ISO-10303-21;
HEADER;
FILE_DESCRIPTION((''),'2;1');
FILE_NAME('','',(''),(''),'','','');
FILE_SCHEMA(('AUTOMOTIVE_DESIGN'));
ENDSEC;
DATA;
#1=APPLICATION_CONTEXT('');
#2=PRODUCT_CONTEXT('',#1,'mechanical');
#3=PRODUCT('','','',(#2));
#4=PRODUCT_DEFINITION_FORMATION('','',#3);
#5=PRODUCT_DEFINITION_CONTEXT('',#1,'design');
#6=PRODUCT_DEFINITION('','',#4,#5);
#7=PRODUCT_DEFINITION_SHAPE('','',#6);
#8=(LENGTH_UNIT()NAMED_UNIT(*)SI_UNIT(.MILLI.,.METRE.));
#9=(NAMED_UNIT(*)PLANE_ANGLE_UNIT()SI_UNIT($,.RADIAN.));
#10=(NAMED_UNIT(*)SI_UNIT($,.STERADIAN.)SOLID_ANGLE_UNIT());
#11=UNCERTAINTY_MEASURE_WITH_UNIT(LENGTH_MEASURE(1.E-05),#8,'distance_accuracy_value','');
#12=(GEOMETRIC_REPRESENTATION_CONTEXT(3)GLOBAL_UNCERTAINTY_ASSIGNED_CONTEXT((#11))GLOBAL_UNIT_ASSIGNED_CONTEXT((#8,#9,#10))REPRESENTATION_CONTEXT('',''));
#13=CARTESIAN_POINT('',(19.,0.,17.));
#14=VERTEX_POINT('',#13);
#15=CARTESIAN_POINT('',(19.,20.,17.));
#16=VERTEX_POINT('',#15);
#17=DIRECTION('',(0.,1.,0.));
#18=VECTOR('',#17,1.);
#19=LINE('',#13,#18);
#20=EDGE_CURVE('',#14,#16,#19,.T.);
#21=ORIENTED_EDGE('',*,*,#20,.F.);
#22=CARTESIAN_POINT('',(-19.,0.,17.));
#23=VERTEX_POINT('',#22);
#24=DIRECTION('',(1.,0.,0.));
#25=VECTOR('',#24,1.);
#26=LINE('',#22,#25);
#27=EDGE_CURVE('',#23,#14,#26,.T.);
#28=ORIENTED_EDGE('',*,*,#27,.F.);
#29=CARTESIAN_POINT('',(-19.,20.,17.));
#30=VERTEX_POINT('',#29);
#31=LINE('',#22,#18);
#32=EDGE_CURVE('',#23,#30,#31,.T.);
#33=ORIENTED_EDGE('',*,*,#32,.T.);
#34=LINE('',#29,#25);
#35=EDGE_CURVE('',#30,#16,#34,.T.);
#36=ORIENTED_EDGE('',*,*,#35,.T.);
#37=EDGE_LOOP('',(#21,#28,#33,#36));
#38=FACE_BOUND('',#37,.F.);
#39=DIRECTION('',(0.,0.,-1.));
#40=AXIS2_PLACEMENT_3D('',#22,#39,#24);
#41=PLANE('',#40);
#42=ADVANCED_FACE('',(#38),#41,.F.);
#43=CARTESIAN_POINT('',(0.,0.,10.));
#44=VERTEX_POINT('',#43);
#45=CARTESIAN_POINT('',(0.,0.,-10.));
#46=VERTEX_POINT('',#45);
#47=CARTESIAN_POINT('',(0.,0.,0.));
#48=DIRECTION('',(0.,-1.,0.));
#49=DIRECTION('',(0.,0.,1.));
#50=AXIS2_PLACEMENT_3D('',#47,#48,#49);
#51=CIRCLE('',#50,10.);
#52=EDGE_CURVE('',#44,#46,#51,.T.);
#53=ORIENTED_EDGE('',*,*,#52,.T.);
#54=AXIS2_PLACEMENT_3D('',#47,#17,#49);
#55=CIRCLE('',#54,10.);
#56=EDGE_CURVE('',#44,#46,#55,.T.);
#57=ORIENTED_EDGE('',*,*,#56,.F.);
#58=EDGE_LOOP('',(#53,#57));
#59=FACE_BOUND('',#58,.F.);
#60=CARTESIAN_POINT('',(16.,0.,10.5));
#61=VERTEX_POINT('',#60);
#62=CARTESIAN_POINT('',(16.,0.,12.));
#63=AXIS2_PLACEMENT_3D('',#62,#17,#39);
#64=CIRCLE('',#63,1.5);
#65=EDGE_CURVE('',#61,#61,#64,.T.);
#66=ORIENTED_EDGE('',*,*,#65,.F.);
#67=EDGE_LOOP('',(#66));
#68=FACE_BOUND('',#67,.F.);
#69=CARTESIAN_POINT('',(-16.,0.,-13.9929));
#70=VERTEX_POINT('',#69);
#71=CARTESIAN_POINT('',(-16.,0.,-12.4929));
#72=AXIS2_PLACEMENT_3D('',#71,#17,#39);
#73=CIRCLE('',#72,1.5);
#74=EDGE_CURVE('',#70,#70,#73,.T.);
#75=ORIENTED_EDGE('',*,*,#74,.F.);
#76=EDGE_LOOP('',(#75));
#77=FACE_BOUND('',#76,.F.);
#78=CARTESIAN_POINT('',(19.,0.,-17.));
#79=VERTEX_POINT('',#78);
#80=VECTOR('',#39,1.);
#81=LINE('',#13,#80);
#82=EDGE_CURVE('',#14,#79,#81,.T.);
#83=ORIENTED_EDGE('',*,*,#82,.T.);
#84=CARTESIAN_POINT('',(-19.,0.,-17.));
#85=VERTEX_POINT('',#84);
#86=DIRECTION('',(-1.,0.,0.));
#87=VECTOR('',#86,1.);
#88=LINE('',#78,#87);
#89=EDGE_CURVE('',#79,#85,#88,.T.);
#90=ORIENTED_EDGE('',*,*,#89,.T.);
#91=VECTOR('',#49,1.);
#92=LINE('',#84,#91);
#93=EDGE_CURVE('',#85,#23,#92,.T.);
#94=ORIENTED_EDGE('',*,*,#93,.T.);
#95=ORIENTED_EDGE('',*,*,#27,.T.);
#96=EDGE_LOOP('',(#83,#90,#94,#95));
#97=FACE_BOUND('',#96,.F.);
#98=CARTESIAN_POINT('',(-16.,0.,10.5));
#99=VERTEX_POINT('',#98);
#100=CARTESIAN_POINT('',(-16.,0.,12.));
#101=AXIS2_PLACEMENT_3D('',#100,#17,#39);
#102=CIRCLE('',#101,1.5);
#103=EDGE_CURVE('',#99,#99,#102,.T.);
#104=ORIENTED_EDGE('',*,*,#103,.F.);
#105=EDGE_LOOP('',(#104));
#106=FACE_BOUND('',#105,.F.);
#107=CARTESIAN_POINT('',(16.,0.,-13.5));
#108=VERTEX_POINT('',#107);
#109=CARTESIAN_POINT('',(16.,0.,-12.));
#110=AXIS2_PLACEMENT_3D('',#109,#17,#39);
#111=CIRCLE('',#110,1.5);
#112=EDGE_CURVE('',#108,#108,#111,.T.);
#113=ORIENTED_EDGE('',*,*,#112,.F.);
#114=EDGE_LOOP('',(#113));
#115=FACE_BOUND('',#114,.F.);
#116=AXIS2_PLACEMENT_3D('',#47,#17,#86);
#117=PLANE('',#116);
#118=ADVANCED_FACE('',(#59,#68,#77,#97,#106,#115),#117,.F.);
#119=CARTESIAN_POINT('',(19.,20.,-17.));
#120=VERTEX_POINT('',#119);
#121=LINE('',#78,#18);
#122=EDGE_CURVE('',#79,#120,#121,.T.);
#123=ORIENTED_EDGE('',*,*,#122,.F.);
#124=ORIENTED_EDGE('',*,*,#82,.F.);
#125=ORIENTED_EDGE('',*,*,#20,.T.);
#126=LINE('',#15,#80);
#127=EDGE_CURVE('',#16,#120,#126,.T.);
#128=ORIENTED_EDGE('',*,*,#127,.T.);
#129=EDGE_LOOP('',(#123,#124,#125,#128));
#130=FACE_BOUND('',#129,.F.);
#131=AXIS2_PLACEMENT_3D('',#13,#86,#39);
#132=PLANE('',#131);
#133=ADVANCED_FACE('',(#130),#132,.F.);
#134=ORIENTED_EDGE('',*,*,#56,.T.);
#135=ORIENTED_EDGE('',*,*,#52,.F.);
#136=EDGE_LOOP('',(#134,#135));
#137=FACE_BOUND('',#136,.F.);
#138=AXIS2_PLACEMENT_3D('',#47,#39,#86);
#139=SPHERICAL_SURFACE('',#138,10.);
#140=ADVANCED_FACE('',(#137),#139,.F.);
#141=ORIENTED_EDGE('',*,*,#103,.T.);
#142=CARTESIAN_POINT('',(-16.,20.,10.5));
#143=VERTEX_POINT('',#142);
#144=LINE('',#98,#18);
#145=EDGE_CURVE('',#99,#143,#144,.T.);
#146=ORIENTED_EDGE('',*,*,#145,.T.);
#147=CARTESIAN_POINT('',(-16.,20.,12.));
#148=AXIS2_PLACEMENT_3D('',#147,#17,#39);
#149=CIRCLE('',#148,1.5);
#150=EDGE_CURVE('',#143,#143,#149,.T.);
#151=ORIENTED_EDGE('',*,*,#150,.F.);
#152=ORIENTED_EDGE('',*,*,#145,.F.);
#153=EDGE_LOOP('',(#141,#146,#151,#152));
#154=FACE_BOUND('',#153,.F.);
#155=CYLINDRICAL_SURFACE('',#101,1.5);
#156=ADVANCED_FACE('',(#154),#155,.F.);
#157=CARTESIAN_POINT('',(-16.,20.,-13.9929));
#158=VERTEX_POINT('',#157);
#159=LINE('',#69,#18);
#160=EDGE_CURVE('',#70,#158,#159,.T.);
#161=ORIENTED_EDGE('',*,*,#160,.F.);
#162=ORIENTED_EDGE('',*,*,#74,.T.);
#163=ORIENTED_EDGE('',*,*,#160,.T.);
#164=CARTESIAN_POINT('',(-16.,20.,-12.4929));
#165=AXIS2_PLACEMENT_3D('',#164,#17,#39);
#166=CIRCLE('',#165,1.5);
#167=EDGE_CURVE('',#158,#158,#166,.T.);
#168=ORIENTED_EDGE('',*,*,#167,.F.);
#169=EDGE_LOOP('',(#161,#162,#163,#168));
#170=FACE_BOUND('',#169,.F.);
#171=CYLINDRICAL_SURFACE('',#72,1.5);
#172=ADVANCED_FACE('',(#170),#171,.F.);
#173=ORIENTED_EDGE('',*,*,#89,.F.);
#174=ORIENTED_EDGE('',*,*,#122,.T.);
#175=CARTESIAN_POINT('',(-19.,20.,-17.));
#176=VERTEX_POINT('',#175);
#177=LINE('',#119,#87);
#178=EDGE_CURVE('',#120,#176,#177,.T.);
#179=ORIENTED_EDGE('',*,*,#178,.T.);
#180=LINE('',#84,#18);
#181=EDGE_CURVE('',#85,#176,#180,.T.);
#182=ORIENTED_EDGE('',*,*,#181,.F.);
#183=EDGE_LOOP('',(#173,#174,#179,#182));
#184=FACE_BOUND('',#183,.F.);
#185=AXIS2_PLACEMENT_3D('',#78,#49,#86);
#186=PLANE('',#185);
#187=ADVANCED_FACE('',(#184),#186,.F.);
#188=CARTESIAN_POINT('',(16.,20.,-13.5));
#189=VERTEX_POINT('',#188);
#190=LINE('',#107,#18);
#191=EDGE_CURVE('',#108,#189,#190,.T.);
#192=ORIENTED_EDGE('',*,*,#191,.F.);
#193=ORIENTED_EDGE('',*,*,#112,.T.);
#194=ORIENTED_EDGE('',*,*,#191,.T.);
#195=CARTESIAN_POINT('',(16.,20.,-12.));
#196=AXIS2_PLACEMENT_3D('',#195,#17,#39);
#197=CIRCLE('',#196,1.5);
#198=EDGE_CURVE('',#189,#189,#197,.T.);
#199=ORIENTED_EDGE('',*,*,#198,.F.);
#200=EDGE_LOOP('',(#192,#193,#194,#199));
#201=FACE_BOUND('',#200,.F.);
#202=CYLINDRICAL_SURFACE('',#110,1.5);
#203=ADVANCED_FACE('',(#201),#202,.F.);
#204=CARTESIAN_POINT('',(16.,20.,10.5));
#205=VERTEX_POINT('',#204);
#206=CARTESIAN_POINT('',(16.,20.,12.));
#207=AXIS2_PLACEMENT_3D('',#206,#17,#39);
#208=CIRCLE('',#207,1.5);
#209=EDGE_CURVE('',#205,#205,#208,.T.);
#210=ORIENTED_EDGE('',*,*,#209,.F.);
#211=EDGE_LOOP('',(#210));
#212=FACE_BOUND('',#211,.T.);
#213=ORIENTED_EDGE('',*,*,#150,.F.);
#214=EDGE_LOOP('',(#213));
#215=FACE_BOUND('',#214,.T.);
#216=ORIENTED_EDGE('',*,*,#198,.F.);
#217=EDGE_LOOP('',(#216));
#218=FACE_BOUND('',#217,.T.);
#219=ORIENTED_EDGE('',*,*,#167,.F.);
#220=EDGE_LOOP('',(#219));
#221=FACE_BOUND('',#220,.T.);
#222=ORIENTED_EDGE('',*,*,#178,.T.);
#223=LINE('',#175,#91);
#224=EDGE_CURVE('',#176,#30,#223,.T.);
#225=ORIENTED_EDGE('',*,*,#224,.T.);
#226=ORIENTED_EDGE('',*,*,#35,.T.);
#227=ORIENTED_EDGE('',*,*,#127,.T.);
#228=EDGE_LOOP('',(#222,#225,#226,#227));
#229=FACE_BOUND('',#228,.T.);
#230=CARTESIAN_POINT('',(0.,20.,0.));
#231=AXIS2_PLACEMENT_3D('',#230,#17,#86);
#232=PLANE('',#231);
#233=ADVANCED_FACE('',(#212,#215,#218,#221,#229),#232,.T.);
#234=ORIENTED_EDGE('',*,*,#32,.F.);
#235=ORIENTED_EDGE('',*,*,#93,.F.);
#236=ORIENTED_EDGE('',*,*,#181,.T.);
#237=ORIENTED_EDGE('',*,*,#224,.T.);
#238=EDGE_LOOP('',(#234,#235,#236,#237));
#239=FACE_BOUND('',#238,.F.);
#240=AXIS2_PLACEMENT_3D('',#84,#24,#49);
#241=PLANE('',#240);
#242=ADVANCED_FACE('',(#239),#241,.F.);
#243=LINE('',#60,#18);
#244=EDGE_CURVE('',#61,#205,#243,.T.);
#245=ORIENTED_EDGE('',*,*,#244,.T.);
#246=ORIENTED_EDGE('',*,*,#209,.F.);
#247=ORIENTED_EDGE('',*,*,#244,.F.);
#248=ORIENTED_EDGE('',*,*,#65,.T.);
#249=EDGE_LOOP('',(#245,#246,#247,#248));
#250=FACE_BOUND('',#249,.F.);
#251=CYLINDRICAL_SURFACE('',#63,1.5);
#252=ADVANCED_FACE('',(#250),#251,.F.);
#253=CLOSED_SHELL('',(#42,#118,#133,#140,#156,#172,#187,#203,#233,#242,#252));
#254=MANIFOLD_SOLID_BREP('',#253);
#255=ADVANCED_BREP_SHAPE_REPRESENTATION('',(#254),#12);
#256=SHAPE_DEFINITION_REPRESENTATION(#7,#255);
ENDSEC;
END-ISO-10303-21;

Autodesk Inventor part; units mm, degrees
ref_plane "YZ Plane" through (0, 0, 0) normal (1, 0, 0) x (0, 1, 0)
ref_plane "XZ Plane" through (0, 0, 0) normal (0, 1, 0) x (-1, 0, 0)
ref_plane "XY Plane" through (0, 0, 0) normal (0, 0, 1) x (1, 0, 0)
sketch "Sketch1" plane through (0, 0, 0) normal (0, 1, 0) x (-1, 0, 0)
  line L0 (-19, -17) -> (19, -17)
  line L1 (19, -17) -> (19, 17)
  line L2 (19, 17) -> (-19, 17)
  line L3 (-19, 17) -> (-19, -17)
  line L4 (-19, -17) -> (19, 17) construction
  line L5 (19, -17) -> (-19, 17) construction
  point P0 (0, 0)
  dimension "d0" = 38
  dimension "d1" = 34
extrude "Extrusion1" add sketch "Sketch1" along normal blind 20
sketch "Sketch2" plane through (0, 0, 0) normal (0, -1, 0) x (1, 0, 0)
  arc A0 (0, 10) -> (0, -10) centre (0, 0) ccw
  line L0 (0, 10) -> (0, -23.7919) construction
  line L1 (0, -10) -> (0, 10)
  dimension "d4" = 20
revolve "Revolution1" cut sketch "Sketch2" angle 180 about axis through (0, 0, 10) along (0, 0, -1)
sketch "Sketch3" plane through (0, 0, 0) normal (0, -1, 0) x (1, 0, 0)
  point P0 (0, 0)
  point P1 (16, 12)
  point P2 (16, -12)
  point P3 (-16, -12.4929)
  point P4 (-16, 12)
hole "Hole1" at (-16, 0, -12.4929) at (-16, 0, 12) at (16, 0, 12) at (16, 0, -12) direction (0, 1, 0) diameter 3 end through all
properties part number "Box"
